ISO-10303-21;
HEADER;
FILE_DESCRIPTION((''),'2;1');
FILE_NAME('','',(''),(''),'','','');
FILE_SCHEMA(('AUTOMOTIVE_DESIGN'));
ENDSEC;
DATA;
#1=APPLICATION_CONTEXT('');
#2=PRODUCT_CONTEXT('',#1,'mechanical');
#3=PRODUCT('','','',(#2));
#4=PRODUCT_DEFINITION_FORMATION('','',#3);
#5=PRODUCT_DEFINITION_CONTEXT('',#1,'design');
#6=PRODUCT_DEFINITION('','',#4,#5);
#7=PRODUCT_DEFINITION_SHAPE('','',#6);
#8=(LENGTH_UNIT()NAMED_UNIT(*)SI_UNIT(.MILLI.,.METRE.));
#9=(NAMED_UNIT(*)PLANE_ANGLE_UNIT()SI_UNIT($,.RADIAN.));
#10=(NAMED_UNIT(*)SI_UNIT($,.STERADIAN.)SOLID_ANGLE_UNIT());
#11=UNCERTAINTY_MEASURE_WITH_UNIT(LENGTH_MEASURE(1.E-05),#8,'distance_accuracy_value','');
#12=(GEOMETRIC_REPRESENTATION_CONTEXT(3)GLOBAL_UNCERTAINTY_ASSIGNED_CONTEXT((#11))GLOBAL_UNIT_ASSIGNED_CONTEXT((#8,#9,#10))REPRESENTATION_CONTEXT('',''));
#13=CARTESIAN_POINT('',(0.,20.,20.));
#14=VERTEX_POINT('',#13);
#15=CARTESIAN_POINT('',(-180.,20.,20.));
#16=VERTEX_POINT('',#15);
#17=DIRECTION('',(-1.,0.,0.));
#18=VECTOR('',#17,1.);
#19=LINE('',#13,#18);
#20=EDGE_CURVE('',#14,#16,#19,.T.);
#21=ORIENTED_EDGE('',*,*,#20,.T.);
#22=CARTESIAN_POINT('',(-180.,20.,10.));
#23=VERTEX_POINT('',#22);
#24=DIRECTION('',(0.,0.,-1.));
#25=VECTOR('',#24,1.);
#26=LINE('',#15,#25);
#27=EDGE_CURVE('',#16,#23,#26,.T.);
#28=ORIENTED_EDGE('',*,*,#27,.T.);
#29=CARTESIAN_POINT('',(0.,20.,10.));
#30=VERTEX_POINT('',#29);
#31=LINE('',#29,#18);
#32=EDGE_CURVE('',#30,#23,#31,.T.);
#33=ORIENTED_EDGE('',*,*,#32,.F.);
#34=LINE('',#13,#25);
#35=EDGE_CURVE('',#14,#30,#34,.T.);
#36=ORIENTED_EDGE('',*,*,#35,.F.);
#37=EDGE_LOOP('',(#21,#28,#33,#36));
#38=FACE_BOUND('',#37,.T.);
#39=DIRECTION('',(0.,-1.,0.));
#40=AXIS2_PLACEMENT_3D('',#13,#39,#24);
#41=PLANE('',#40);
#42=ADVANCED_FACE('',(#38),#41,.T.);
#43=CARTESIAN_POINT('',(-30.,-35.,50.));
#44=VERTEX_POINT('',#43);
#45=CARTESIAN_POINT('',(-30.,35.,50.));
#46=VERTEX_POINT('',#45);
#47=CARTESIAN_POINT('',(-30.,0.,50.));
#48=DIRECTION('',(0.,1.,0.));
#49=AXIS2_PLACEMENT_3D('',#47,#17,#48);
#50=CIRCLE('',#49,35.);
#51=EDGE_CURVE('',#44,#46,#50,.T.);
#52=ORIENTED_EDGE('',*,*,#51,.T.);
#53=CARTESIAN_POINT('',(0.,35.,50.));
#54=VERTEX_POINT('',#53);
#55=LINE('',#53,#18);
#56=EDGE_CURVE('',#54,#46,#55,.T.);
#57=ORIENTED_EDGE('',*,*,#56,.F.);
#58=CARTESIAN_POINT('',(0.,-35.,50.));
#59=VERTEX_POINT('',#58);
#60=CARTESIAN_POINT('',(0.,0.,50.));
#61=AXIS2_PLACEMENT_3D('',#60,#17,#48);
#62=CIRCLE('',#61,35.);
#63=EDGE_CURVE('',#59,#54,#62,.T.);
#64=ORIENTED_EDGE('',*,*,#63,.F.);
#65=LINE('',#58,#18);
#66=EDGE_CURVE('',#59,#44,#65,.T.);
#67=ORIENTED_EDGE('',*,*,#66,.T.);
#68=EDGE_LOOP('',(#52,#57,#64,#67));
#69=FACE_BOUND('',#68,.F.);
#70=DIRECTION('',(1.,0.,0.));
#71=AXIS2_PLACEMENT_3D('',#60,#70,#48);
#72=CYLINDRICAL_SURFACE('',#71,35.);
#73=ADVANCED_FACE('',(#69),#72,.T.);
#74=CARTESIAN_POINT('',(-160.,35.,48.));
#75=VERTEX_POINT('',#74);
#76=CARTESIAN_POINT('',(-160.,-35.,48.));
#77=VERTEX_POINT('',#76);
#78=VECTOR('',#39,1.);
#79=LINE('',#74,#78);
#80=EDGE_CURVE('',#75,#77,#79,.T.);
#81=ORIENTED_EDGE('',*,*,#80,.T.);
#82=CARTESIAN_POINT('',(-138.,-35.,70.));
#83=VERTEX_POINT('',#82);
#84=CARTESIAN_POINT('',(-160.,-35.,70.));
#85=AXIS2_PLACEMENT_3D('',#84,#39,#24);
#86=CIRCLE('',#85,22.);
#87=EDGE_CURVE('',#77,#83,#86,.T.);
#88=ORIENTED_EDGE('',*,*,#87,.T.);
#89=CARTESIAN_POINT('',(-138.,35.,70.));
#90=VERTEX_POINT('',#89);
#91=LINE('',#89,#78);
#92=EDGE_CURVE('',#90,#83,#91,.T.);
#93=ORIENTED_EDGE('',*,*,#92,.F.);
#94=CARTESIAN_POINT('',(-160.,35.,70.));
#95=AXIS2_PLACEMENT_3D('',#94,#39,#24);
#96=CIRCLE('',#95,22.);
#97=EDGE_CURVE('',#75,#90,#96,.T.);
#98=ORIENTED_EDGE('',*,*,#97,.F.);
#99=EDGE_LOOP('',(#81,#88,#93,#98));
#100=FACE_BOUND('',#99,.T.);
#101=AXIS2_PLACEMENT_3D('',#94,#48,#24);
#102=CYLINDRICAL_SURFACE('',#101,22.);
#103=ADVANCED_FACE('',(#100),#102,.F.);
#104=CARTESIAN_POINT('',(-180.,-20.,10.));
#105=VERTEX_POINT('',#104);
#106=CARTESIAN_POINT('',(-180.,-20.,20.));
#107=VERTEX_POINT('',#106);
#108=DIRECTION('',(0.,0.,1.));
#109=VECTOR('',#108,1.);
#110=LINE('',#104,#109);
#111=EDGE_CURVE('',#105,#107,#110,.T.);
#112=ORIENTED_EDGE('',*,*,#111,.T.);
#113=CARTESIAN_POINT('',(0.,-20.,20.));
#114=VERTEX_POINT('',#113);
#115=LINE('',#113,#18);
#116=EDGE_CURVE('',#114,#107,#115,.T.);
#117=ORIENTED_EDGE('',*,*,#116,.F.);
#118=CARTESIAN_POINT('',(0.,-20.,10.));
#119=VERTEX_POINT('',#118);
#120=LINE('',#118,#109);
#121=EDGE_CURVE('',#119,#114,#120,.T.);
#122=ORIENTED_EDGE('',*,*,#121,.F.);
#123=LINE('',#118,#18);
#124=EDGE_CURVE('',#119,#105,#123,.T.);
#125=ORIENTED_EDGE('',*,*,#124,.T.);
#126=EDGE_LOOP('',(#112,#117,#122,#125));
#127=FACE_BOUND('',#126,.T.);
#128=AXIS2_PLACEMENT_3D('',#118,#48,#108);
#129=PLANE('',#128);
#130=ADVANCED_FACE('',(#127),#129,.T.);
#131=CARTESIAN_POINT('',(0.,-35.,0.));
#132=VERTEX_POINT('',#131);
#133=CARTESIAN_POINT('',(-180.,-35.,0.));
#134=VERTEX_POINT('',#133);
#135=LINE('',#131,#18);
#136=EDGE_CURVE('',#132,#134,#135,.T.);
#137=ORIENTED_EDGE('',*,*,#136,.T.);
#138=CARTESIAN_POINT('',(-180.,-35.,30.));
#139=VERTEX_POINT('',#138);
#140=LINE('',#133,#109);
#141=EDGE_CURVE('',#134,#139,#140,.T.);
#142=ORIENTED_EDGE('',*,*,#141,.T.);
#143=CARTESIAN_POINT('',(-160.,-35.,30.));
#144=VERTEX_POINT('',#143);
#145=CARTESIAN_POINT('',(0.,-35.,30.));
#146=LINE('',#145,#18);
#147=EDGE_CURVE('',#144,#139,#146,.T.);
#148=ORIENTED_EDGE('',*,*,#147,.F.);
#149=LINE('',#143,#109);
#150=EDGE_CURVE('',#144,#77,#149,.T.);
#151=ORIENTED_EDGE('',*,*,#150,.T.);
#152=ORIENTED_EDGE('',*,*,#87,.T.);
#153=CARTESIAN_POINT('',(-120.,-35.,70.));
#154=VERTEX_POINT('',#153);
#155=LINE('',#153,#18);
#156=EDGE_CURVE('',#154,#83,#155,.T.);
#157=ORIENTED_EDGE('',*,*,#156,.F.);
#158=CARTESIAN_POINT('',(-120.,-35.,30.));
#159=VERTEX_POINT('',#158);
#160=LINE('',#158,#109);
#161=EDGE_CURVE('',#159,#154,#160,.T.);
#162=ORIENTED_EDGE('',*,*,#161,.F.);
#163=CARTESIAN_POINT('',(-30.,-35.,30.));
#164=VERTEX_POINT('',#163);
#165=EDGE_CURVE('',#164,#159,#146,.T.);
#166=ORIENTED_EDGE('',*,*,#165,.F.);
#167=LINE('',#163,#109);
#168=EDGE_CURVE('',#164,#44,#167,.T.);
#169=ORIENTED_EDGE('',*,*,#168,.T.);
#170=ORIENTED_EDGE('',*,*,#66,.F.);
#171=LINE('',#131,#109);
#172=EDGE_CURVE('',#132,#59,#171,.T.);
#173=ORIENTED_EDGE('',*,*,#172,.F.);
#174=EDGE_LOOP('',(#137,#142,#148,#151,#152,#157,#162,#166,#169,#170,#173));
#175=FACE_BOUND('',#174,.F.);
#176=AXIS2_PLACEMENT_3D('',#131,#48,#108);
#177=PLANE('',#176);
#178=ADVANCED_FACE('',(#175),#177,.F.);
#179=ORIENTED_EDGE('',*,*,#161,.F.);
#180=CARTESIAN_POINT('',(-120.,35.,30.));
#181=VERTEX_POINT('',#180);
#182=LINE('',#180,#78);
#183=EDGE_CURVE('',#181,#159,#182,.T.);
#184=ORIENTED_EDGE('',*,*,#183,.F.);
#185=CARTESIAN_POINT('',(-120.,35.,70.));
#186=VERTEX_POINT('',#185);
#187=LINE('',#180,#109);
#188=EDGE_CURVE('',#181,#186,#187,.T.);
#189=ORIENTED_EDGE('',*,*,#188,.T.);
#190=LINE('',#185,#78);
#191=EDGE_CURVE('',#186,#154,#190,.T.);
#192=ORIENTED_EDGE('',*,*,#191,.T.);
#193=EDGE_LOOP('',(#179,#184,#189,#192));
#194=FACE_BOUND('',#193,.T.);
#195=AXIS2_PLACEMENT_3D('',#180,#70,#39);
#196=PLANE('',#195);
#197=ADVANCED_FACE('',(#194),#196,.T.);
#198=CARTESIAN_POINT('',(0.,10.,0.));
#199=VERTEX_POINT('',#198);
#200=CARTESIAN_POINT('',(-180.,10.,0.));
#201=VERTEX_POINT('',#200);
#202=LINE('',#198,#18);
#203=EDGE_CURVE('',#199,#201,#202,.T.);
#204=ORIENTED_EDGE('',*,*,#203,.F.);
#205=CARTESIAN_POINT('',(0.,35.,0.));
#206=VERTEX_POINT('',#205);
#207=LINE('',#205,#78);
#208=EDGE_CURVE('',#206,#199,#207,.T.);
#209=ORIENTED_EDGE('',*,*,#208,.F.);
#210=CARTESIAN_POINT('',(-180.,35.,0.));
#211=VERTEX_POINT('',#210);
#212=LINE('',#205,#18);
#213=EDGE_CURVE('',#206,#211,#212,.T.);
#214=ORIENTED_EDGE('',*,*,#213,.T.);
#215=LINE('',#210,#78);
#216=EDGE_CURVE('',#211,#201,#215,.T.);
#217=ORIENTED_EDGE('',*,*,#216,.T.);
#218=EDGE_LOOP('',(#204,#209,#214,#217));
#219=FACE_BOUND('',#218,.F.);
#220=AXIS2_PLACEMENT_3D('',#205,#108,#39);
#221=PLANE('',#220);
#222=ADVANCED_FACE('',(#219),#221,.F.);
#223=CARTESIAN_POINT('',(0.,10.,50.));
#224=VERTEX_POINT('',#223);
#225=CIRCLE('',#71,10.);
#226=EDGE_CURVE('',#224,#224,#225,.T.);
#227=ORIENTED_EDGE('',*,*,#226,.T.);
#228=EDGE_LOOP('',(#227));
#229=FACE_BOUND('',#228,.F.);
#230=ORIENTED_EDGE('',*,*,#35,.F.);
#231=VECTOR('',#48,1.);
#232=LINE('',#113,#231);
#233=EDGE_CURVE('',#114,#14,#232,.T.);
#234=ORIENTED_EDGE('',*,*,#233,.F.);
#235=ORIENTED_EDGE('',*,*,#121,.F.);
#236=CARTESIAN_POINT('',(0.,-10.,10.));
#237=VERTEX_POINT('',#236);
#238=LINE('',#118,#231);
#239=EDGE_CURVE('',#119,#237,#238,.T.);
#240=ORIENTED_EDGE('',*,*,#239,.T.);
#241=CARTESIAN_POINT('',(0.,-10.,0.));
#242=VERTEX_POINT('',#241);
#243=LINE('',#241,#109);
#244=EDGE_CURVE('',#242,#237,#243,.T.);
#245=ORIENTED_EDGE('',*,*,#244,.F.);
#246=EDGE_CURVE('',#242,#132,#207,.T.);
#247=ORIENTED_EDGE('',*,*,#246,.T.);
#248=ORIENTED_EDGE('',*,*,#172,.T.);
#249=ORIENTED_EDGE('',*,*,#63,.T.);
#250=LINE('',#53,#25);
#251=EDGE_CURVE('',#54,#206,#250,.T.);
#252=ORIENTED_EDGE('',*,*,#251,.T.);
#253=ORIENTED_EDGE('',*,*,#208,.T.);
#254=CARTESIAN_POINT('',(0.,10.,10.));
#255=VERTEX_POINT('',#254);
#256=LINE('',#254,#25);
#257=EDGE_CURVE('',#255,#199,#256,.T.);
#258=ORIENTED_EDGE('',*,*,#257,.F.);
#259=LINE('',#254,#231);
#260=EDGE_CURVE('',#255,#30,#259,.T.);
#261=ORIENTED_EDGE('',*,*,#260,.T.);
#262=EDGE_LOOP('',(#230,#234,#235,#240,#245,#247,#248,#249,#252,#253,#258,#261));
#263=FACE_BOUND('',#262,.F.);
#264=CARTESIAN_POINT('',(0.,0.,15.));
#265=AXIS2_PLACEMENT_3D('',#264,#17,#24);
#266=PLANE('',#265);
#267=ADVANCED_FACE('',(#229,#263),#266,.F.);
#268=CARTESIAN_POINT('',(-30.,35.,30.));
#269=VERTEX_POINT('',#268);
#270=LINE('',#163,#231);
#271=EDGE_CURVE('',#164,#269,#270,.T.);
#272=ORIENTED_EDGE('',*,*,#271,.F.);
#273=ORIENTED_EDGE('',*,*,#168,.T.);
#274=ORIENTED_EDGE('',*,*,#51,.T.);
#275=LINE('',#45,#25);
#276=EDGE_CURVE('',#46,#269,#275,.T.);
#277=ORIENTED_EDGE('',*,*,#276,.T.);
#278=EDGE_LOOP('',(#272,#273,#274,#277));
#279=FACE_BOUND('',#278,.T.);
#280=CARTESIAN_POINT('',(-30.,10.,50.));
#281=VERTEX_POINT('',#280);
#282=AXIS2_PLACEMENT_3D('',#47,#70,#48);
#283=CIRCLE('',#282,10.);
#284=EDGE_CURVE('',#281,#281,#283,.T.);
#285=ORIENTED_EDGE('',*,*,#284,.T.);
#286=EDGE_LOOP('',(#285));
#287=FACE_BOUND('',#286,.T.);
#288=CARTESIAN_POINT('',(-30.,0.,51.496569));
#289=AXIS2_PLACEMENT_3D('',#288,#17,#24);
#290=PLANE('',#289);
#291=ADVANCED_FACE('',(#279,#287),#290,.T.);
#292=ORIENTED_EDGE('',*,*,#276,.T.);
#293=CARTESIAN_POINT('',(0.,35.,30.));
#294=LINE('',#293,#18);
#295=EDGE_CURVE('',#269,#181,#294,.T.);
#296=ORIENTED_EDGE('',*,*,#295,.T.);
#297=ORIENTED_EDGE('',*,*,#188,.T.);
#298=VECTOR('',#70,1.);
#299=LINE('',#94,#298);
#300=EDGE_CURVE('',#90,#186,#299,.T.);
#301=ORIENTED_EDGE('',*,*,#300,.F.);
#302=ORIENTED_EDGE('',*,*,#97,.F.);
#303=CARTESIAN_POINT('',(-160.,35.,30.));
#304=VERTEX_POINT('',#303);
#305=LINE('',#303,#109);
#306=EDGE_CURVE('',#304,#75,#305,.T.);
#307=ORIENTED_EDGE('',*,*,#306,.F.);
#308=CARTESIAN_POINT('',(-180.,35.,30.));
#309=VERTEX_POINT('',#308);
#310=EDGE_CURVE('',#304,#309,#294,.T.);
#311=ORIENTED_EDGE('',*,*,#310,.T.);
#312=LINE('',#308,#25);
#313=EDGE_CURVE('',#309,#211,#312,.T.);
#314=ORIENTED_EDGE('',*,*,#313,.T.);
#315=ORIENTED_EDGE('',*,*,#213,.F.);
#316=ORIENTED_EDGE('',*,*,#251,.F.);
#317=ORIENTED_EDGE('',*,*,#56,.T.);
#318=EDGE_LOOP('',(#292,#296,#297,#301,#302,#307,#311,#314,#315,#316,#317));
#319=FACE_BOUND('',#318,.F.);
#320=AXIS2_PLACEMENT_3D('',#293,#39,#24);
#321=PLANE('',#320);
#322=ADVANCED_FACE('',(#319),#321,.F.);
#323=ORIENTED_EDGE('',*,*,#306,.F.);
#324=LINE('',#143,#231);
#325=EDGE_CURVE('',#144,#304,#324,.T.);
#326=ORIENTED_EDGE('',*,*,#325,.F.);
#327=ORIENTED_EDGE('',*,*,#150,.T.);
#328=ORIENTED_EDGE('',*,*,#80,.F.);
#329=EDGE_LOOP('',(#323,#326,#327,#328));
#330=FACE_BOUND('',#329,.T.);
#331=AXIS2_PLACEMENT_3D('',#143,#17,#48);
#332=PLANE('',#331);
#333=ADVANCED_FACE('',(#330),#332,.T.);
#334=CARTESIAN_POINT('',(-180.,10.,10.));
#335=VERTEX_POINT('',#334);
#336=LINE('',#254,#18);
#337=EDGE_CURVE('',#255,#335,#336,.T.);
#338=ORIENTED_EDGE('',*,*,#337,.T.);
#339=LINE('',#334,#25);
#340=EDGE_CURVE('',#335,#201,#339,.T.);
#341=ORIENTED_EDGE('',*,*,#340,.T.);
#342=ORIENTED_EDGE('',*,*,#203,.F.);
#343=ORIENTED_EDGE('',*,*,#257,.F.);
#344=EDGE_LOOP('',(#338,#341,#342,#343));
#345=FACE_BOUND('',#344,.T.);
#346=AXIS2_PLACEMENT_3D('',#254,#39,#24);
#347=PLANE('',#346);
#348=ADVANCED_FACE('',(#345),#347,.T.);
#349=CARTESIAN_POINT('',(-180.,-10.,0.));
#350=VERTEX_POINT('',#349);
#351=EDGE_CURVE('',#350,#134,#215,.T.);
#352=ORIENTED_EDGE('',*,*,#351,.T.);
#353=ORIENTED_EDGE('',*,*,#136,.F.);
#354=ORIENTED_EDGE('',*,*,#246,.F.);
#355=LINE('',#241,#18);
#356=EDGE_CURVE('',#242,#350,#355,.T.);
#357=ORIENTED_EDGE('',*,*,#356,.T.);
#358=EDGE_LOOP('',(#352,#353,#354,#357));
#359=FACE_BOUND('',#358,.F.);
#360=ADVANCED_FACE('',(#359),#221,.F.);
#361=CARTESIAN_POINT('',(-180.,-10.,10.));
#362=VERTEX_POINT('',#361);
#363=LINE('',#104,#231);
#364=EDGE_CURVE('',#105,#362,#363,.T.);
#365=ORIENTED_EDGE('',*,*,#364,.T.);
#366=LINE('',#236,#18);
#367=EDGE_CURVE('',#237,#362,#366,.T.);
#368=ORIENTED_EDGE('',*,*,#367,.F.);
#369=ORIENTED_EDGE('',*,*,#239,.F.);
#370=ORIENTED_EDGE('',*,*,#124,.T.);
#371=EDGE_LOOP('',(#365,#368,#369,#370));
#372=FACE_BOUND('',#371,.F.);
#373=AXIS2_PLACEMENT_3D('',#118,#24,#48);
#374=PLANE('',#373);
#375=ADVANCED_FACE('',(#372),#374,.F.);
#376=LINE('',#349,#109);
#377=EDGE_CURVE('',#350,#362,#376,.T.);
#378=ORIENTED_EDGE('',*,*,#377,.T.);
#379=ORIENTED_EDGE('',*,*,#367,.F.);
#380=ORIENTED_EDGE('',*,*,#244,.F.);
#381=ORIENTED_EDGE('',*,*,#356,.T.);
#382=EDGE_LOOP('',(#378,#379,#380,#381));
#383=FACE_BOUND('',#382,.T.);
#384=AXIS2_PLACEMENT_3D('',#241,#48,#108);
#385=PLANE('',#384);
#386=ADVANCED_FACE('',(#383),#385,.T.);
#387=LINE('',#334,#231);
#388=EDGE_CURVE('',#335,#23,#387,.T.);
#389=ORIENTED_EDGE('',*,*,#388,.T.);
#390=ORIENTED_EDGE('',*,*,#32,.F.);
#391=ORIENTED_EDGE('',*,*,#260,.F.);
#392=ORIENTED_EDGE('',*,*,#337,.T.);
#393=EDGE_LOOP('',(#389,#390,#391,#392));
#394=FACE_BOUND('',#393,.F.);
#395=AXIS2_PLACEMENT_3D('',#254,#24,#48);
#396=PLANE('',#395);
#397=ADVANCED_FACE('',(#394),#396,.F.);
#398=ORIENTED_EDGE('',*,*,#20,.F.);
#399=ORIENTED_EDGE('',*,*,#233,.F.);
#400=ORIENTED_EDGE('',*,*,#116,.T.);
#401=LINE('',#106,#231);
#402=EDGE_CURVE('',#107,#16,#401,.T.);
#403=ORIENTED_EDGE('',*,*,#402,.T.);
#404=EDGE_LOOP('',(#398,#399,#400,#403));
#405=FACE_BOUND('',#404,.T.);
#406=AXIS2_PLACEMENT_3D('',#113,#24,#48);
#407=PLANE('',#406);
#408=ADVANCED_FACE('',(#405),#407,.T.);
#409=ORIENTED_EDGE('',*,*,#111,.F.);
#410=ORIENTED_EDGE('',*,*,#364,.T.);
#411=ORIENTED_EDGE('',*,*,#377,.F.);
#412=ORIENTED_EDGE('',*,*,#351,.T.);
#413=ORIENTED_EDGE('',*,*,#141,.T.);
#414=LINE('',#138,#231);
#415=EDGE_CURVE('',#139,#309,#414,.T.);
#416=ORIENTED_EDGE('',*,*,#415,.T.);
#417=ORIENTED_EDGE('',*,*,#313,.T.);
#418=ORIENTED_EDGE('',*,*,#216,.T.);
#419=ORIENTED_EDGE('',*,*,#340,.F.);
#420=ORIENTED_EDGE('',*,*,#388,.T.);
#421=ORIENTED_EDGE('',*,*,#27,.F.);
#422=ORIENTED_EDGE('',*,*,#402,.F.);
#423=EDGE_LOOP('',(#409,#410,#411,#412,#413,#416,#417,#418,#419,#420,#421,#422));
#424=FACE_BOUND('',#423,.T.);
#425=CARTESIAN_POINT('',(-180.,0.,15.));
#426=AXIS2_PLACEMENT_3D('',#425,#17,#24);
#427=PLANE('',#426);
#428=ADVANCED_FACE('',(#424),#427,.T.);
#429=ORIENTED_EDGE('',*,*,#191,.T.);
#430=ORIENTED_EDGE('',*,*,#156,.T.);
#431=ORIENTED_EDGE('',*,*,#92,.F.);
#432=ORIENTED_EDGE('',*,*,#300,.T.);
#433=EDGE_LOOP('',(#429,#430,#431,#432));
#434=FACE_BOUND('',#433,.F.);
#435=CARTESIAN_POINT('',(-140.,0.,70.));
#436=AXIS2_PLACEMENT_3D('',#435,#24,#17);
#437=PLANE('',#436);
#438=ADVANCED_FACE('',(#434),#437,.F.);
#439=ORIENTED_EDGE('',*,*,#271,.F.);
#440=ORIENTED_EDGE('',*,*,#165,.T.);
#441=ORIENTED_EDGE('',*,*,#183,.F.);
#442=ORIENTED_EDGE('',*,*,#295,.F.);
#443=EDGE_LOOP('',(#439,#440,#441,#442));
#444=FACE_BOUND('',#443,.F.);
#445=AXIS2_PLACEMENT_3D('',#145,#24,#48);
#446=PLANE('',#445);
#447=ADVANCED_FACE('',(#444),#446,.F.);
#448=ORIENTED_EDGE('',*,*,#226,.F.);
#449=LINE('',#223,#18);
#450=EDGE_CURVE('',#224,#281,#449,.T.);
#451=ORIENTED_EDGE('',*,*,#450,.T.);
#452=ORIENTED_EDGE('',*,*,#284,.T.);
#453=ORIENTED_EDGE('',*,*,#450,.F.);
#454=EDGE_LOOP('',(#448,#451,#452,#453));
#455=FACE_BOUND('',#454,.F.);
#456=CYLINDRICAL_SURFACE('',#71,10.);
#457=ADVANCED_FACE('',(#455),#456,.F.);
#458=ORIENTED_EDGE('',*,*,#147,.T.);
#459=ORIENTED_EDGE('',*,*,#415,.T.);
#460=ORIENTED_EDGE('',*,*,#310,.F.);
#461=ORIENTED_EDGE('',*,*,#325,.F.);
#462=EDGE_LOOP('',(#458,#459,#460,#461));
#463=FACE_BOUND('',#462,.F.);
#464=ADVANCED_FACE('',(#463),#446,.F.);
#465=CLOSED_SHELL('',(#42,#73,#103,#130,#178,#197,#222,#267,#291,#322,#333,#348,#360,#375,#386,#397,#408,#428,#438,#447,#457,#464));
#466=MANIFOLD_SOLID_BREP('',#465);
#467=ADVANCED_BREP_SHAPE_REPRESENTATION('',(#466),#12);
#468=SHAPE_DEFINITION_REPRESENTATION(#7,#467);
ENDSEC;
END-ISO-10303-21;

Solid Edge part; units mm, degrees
sketch "Sketch1" plane through (0, 0, 0) normal (1, 0, 0) x (0, 1, 0)
  line L0 (-35, 30) -> (35, 30)
  line L1 (35, 30) -> (35, 0)
  line L2 (35, 0) -> (-35, 0)
  line L3 (-35, 0) -> (-35, 30)
extrude "Protrusion1" add sketch "Sketch1" against normal blind 180
sketch "Sketch2" plane through (0, 0, 0) normal (1, 0, 0) x (0, 1, 0)
  line L0 (35, 50) -> (35, 30)
  line L1 (-35, 30) -> (35, 30)
  line L2 (-35, 30) -> (-35, 50)
  arc A0 (-35, 50) -> (35, 50) centre (0, 50) cw
extrude "ExtrudedProtrusion_3" add sketch "Sketch2" against normal blind 30
sketch "Sketch3" plane through (0, 0, 0) normal (1, 0, 0) x (0, 1, 0)
  circle A0 centre (0, 50) radius 10
extrude "ExtrudedCutout_9" cut sketch "Sketch3" against normal blind 30
sketch "Sketch4" plane through (0, 0, 0) normal (1, 0, 0) x (0, 1, 0)
  line L0 (-20, 10) -> (-20, 20)
  line L1 (-20, 20) -> (20, 20)
  line L2 (20, 20) -> (20, 10)
  line L3 (10, 10) -> (20, 10)
  line L4 (10, 10) -> (10, 0)
  line L5 (-10, 0) -> (10, 0)
  line L6 (-10, 0) -> (-10, 10)
  line L7 (-20, 10) -> (-10, 10)
extrude "ExtrudedCutout_10" cut sketch "Sketch4" against normal blind 180
sketch "Sketch5" plane through (-105, 0, 30) normal (0, 0, 1) x (0, 1, 0)
  line L0 (-35, 55) -> (35, 55)
  line L1 (35, 55) -> (35, 15)
  line L2 (35, 15) -> (-35, 15)
  line L3 (-35, 15) -> (-35, 55)
extrude "ExtrudedProtrusion_4" add sketch "Sketch5" along normal blind 40
sketch "Sketch6" plane through (-90, 35, 25) normal (0, 1, 0) x (0, 0, -1)
  line L0 (-45, 70) -> (-45, 48)
  line L1 (-23, 70) -> (-45, 70)
  arc A0 (-23, 70) -> (-45, 48) centre (-45, 70) cw
extrude "ExtrudedCutout_11" cut sketch "Sketch6" against normal blind 70
